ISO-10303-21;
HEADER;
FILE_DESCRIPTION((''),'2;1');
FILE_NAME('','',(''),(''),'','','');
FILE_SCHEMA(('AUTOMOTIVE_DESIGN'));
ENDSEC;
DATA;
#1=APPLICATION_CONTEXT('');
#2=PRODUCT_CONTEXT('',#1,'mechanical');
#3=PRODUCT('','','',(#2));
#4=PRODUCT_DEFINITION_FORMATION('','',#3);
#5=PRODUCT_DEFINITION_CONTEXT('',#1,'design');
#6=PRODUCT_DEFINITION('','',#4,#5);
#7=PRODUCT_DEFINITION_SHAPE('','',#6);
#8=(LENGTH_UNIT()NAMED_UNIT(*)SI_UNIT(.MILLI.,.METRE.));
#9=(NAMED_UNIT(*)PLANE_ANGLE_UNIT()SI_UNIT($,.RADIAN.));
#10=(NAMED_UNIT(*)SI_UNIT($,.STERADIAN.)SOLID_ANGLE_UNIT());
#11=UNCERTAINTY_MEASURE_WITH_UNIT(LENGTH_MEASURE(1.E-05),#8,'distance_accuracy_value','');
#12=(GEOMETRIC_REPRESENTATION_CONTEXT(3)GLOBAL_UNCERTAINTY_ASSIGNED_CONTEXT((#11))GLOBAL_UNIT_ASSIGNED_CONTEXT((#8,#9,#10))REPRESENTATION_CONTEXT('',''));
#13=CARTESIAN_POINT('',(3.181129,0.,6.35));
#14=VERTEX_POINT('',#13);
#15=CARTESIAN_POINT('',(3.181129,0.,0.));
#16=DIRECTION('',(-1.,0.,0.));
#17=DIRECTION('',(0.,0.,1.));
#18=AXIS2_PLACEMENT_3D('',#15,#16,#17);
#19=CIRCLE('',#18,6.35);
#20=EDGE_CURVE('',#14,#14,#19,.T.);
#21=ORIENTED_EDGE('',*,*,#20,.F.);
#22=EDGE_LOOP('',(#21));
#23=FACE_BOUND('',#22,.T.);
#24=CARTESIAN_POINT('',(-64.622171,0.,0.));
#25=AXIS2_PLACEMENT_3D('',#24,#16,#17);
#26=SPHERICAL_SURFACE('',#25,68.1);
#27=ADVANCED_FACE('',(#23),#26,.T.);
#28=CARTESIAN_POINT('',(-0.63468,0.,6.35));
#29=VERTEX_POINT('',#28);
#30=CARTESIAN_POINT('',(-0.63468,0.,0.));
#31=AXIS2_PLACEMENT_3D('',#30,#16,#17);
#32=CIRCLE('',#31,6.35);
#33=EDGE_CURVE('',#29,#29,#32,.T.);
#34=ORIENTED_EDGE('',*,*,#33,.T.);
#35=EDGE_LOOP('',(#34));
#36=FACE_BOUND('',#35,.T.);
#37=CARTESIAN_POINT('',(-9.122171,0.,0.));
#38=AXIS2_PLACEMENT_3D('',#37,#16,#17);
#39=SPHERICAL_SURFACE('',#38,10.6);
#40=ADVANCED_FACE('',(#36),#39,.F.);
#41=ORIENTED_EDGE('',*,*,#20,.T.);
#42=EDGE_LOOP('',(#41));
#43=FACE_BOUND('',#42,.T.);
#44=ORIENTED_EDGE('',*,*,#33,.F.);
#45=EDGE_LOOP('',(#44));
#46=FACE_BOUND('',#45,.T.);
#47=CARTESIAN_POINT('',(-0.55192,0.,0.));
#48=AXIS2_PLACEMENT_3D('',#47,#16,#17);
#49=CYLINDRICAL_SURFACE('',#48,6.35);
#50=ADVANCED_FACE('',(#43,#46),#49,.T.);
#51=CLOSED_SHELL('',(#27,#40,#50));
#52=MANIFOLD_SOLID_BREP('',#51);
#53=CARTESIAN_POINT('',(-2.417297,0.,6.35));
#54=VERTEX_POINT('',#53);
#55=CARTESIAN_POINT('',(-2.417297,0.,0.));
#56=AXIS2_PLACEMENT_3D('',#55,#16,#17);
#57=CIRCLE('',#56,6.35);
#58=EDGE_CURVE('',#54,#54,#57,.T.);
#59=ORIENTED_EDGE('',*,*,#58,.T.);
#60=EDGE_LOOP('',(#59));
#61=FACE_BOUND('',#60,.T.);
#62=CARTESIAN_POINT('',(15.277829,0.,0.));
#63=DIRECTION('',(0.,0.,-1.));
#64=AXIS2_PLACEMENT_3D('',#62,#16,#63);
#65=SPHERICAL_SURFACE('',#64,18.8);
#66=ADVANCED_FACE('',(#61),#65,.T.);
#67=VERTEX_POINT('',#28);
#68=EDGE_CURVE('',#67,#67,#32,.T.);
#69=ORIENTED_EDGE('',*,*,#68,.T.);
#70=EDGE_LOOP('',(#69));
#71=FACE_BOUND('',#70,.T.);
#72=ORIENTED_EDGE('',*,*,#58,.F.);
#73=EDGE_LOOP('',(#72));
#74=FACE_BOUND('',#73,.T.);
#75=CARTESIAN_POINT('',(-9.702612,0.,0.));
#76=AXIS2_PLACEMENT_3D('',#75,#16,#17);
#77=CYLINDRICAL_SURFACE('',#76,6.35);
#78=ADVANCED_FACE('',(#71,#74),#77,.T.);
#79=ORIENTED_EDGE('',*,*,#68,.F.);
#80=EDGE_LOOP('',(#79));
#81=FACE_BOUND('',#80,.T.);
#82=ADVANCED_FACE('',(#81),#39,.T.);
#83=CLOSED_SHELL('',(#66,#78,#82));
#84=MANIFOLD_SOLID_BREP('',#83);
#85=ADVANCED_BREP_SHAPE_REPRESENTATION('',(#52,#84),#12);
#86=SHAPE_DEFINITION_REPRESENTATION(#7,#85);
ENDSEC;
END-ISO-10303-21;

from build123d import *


with BuildPart() as part:
    # 草图1 one side → 旋转1 (revolve)
    with BuildSketch(Plane(origin=(0, 0, 0), x_dir=(1, 0, 0), z_dir=(0, 1, 0)), mode=Mode.PRIVATE) as revolve_1_sk:
        with BuildLine():
            ThreePointArc((-2.417297295, 6.35), (-3.243892922, 3.222702498), (-3.522170847, 0))
            Line((-3.522170847, 0), (1.477829153, 0))
            ThreePointArc((1.477829153, 0), (0.935845916, 3.346087086), (-0.634680052, 6.35))
            Line((-0.634680052, 6.35), (-2.417297295, 6.35))
        make_face()
    revolve(revolve_1_sk.sketch.rotate(Axis((-9.702612178, 0, 0), (1, 0, 0)), 180), axis=Axis((-9.702612178, 0, 0), (1, 0, 0)))  # turned: the seam where the file's is


with BuildPart() as body_2:
    # 草图2 one side → 旋转3 (revolve)
    with BuildSketch(Plane(origin=(0, 0, 0), x_dir=(1, 0, 0), z_dir=(0, 1, 0)), mode=Mode.PRIVATE) as revolve_3_sk:
        with BuildLine():
            Line((3.18112922, 6.35), (-0.634680052, 6.35))
            ThreePointArc((-0.634680052, 6.35), (0.935845916, 3.346087086), (1.477829153, 0))
            Line((1.477829153, 0), (3.477829153, 0))
            ThreePointArc((3.477829153, 0), (3.40361373, 3.178463892), (3.18112922, 6.35))
        make_face()
    revolve(revolve_3_sk.sketch.rotate(Axis((-0.551919993, 0, 0), (1, 0, 0)), 180), axis=Axis((-0.551919993, 0, 0), (1, 0, 0)))  # turned: the seam where the file's is


solid = Compound([part.part, body_2.part])
